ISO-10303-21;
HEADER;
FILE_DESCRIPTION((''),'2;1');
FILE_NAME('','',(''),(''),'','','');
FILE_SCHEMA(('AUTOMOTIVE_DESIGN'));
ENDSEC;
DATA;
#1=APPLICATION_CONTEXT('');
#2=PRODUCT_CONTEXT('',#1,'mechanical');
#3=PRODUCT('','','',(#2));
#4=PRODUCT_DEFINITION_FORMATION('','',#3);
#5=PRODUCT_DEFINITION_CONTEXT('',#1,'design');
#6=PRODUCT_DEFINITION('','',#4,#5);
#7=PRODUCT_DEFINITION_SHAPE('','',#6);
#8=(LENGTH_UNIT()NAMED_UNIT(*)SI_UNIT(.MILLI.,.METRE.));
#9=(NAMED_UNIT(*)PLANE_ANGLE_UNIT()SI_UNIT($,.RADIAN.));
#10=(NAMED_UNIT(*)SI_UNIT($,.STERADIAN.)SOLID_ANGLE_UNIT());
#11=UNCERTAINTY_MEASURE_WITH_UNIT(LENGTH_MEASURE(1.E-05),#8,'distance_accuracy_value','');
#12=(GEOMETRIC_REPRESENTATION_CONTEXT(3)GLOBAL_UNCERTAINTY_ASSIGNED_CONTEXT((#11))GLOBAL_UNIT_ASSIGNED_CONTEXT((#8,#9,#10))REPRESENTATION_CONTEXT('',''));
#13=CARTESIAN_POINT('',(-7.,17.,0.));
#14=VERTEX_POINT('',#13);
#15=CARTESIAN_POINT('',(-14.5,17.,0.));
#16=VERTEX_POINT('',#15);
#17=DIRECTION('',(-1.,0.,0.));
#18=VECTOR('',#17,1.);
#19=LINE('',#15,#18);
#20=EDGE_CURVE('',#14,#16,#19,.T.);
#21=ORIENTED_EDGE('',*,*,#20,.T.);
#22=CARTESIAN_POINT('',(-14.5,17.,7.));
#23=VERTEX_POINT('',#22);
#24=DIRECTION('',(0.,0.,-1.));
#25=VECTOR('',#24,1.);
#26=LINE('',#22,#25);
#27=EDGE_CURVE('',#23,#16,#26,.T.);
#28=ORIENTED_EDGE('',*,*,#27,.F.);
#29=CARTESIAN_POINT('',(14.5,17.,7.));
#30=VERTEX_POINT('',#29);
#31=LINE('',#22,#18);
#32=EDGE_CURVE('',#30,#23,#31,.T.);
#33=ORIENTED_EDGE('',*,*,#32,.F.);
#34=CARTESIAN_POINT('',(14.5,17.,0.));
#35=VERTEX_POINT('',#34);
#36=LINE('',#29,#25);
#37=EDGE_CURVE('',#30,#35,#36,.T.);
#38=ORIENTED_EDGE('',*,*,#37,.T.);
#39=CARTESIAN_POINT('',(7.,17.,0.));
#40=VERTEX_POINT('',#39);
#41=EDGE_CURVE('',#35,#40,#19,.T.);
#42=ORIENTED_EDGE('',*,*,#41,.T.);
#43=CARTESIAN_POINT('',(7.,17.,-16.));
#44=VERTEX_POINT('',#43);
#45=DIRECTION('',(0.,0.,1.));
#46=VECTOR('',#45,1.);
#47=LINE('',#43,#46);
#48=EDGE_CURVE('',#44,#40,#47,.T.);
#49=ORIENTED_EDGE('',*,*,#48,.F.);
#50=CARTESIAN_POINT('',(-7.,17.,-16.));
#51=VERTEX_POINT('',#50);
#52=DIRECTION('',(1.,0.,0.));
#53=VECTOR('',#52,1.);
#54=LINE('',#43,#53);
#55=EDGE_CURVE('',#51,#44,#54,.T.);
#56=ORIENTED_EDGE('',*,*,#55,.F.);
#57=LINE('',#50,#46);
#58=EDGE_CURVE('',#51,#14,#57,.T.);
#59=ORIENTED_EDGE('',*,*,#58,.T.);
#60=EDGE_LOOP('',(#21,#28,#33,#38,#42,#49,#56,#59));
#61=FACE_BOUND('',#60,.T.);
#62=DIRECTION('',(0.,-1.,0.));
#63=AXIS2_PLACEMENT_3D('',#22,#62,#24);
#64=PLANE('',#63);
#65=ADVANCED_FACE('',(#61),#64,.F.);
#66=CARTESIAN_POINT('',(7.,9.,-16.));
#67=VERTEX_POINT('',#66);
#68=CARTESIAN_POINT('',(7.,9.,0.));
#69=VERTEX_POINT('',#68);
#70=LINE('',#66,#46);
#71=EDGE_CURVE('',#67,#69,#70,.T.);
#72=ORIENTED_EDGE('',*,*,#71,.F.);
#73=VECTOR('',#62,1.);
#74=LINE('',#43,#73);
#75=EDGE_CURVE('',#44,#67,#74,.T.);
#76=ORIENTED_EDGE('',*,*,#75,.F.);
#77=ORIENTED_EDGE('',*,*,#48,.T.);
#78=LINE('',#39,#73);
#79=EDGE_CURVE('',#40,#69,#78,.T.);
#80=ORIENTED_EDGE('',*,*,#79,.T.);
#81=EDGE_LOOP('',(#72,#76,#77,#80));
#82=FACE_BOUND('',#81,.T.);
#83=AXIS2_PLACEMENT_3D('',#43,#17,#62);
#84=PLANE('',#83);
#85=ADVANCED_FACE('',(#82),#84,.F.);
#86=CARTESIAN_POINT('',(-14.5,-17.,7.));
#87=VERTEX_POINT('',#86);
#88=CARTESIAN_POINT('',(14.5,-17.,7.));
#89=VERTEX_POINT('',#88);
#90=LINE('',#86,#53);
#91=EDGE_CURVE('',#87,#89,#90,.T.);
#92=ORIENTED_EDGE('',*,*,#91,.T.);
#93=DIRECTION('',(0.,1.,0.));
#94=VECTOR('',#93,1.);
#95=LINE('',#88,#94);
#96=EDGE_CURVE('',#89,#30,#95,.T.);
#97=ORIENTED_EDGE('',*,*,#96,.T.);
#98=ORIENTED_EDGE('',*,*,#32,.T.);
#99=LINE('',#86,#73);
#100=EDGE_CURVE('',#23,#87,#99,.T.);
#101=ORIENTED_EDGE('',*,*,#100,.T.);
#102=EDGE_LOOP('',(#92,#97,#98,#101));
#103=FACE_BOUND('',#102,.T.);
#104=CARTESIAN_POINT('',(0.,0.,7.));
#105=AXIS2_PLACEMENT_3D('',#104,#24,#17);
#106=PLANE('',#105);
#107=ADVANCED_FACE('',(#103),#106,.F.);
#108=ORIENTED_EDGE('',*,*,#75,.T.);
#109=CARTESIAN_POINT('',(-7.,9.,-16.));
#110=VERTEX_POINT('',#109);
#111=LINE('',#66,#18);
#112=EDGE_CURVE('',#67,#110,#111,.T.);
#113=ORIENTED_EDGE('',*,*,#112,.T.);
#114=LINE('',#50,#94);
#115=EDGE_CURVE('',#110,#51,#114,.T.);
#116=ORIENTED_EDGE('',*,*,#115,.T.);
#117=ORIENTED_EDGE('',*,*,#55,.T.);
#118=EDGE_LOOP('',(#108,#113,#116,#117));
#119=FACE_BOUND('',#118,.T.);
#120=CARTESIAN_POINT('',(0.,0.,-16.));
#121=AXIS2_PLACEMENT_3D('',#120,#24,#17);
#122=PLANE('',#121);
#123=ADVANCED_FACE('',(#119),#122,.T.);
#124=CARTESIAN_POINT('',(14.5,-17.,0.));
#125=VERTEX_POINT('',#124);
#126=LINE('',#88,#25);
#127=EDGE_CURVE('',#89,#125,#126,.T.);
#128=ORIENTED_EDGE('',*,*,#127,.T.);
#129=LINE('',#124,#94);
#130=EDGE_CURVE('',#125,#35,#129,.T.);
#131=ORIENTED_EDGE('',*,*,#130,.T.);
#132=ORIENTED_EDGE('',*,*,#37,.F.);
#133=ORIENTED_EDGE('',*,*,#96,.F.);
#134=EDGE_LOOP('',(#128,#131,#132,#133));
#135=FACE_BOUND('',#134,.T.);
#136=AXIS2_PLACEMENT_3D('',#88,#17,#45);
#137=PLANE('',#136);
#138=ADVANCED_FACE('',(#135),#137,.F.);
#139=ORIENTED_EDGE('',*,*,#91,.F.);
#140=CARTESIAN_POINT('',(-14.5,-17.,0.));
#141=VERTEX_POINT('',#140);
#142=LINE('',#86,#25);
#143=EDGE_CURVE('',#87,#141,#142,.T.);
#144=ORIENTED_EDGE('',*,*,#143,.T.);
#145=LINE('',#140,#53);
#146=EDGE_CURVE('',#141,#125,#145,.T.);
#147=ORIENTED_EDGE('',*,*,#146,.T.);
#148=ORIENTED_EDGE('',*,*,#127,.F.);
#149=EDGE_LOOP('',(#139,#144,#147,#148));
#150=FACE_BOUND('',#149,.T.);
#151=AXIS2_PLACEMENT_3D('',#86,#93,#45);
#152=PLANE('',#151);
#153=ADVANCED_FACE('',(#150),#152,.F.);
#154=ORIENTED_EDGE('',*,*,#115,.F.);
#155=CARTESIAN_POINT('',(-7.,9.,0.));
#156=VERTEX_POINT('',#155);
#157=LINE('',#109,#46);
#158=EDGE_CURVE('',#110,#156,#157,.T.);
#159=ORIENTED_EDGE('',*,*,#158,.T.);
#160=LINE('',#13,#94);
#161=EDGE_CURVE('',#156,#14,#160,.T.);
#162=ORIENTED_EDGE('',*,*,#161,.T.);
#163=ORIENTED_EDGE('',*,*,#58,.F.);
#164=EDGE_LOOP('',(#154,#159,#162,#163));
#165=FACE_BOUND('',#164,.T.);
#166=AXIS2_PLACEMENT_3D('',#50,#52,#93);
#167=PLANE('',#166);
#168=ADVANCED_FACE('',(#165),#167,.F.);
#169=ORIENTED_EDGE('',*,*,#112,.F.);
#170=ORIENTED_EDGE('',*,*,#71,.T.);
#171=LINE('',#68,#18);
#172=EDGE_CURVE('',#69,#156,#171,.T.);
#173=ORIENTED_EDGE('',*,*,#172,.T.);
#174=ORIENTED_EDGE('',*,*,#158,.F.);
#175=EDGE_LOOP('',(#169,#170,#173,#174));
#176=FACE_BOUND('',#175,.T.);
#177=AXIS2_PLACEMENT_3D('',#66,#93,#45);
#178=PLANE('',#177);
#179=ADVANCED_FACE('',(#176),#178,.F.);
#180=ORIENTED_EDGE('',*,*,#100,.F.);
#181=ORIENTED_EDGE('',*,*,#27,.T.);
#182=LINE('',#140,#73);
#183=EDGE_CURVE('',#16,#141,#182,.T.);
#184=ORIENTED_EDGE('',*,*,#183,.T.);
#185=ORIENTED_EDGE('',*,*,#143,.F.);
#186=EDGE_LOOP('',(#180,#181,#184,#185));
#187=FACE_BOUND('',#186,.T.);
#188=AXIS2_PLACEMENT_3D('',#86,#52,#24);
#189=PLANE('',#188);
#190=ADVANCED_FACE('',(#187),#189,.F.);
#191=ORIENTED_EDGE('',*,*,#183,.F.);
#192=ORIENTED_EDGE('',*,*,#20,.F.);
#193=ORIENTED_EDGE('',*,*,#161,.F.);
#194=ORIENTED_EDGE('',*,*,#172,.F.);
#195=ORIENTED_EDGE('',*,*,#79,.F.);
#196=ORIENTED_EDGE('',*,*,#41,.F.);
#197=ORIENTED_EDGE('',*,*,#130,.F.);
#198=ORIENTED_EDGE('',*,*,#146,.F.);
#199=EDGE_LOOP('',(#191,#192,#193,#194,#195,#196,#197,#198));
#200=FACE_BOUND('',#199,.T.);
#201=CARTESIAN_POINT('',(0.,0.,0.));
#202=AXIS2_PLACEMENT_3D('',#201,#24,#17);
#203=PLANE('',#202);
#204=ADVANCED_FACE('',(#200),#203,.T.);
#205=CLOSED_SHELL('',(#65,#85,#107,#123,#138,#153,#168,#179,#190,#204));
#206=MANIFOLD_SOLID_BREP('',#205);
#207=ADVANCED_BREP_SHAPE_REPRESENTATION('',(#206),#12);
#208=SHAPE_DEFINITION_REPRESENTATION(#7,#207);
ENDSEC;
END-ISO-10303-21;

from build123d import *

# Parameters (mm, degrees)
SKETCH_1_W      = 29
SKETCH_1_H      = 34
EXTRUDE_1_DEPTH = 7
SKETCH_3_W      = 14
SKETCH_3_H      = 8
EXTRUDE_2_DEPTH = 16


with BuildPart() as part:
    # 草图1 → 凸台-拉伸1 (new body)
    with BuildSketch(Plane.XY):
        Rectangle(SKETCH_1_W, SKETCH_1_H)
    extrude(amount=EXTRUDE_1_DEPTH)

    # 草图3 → 凸台-拉伸2 (add)
    with BuildSketch(Plane(origin=(0, 0, 0), x_dir=(-1, 0, 0), z_dir=(0, 0, -1))):
        with Locations((0, 13)):
            Rectangle(SKETCH_3_W, SKETCH_3_H)
    extrude(amount=EXTRUDE_2_DEPTH)


solid = part.part
